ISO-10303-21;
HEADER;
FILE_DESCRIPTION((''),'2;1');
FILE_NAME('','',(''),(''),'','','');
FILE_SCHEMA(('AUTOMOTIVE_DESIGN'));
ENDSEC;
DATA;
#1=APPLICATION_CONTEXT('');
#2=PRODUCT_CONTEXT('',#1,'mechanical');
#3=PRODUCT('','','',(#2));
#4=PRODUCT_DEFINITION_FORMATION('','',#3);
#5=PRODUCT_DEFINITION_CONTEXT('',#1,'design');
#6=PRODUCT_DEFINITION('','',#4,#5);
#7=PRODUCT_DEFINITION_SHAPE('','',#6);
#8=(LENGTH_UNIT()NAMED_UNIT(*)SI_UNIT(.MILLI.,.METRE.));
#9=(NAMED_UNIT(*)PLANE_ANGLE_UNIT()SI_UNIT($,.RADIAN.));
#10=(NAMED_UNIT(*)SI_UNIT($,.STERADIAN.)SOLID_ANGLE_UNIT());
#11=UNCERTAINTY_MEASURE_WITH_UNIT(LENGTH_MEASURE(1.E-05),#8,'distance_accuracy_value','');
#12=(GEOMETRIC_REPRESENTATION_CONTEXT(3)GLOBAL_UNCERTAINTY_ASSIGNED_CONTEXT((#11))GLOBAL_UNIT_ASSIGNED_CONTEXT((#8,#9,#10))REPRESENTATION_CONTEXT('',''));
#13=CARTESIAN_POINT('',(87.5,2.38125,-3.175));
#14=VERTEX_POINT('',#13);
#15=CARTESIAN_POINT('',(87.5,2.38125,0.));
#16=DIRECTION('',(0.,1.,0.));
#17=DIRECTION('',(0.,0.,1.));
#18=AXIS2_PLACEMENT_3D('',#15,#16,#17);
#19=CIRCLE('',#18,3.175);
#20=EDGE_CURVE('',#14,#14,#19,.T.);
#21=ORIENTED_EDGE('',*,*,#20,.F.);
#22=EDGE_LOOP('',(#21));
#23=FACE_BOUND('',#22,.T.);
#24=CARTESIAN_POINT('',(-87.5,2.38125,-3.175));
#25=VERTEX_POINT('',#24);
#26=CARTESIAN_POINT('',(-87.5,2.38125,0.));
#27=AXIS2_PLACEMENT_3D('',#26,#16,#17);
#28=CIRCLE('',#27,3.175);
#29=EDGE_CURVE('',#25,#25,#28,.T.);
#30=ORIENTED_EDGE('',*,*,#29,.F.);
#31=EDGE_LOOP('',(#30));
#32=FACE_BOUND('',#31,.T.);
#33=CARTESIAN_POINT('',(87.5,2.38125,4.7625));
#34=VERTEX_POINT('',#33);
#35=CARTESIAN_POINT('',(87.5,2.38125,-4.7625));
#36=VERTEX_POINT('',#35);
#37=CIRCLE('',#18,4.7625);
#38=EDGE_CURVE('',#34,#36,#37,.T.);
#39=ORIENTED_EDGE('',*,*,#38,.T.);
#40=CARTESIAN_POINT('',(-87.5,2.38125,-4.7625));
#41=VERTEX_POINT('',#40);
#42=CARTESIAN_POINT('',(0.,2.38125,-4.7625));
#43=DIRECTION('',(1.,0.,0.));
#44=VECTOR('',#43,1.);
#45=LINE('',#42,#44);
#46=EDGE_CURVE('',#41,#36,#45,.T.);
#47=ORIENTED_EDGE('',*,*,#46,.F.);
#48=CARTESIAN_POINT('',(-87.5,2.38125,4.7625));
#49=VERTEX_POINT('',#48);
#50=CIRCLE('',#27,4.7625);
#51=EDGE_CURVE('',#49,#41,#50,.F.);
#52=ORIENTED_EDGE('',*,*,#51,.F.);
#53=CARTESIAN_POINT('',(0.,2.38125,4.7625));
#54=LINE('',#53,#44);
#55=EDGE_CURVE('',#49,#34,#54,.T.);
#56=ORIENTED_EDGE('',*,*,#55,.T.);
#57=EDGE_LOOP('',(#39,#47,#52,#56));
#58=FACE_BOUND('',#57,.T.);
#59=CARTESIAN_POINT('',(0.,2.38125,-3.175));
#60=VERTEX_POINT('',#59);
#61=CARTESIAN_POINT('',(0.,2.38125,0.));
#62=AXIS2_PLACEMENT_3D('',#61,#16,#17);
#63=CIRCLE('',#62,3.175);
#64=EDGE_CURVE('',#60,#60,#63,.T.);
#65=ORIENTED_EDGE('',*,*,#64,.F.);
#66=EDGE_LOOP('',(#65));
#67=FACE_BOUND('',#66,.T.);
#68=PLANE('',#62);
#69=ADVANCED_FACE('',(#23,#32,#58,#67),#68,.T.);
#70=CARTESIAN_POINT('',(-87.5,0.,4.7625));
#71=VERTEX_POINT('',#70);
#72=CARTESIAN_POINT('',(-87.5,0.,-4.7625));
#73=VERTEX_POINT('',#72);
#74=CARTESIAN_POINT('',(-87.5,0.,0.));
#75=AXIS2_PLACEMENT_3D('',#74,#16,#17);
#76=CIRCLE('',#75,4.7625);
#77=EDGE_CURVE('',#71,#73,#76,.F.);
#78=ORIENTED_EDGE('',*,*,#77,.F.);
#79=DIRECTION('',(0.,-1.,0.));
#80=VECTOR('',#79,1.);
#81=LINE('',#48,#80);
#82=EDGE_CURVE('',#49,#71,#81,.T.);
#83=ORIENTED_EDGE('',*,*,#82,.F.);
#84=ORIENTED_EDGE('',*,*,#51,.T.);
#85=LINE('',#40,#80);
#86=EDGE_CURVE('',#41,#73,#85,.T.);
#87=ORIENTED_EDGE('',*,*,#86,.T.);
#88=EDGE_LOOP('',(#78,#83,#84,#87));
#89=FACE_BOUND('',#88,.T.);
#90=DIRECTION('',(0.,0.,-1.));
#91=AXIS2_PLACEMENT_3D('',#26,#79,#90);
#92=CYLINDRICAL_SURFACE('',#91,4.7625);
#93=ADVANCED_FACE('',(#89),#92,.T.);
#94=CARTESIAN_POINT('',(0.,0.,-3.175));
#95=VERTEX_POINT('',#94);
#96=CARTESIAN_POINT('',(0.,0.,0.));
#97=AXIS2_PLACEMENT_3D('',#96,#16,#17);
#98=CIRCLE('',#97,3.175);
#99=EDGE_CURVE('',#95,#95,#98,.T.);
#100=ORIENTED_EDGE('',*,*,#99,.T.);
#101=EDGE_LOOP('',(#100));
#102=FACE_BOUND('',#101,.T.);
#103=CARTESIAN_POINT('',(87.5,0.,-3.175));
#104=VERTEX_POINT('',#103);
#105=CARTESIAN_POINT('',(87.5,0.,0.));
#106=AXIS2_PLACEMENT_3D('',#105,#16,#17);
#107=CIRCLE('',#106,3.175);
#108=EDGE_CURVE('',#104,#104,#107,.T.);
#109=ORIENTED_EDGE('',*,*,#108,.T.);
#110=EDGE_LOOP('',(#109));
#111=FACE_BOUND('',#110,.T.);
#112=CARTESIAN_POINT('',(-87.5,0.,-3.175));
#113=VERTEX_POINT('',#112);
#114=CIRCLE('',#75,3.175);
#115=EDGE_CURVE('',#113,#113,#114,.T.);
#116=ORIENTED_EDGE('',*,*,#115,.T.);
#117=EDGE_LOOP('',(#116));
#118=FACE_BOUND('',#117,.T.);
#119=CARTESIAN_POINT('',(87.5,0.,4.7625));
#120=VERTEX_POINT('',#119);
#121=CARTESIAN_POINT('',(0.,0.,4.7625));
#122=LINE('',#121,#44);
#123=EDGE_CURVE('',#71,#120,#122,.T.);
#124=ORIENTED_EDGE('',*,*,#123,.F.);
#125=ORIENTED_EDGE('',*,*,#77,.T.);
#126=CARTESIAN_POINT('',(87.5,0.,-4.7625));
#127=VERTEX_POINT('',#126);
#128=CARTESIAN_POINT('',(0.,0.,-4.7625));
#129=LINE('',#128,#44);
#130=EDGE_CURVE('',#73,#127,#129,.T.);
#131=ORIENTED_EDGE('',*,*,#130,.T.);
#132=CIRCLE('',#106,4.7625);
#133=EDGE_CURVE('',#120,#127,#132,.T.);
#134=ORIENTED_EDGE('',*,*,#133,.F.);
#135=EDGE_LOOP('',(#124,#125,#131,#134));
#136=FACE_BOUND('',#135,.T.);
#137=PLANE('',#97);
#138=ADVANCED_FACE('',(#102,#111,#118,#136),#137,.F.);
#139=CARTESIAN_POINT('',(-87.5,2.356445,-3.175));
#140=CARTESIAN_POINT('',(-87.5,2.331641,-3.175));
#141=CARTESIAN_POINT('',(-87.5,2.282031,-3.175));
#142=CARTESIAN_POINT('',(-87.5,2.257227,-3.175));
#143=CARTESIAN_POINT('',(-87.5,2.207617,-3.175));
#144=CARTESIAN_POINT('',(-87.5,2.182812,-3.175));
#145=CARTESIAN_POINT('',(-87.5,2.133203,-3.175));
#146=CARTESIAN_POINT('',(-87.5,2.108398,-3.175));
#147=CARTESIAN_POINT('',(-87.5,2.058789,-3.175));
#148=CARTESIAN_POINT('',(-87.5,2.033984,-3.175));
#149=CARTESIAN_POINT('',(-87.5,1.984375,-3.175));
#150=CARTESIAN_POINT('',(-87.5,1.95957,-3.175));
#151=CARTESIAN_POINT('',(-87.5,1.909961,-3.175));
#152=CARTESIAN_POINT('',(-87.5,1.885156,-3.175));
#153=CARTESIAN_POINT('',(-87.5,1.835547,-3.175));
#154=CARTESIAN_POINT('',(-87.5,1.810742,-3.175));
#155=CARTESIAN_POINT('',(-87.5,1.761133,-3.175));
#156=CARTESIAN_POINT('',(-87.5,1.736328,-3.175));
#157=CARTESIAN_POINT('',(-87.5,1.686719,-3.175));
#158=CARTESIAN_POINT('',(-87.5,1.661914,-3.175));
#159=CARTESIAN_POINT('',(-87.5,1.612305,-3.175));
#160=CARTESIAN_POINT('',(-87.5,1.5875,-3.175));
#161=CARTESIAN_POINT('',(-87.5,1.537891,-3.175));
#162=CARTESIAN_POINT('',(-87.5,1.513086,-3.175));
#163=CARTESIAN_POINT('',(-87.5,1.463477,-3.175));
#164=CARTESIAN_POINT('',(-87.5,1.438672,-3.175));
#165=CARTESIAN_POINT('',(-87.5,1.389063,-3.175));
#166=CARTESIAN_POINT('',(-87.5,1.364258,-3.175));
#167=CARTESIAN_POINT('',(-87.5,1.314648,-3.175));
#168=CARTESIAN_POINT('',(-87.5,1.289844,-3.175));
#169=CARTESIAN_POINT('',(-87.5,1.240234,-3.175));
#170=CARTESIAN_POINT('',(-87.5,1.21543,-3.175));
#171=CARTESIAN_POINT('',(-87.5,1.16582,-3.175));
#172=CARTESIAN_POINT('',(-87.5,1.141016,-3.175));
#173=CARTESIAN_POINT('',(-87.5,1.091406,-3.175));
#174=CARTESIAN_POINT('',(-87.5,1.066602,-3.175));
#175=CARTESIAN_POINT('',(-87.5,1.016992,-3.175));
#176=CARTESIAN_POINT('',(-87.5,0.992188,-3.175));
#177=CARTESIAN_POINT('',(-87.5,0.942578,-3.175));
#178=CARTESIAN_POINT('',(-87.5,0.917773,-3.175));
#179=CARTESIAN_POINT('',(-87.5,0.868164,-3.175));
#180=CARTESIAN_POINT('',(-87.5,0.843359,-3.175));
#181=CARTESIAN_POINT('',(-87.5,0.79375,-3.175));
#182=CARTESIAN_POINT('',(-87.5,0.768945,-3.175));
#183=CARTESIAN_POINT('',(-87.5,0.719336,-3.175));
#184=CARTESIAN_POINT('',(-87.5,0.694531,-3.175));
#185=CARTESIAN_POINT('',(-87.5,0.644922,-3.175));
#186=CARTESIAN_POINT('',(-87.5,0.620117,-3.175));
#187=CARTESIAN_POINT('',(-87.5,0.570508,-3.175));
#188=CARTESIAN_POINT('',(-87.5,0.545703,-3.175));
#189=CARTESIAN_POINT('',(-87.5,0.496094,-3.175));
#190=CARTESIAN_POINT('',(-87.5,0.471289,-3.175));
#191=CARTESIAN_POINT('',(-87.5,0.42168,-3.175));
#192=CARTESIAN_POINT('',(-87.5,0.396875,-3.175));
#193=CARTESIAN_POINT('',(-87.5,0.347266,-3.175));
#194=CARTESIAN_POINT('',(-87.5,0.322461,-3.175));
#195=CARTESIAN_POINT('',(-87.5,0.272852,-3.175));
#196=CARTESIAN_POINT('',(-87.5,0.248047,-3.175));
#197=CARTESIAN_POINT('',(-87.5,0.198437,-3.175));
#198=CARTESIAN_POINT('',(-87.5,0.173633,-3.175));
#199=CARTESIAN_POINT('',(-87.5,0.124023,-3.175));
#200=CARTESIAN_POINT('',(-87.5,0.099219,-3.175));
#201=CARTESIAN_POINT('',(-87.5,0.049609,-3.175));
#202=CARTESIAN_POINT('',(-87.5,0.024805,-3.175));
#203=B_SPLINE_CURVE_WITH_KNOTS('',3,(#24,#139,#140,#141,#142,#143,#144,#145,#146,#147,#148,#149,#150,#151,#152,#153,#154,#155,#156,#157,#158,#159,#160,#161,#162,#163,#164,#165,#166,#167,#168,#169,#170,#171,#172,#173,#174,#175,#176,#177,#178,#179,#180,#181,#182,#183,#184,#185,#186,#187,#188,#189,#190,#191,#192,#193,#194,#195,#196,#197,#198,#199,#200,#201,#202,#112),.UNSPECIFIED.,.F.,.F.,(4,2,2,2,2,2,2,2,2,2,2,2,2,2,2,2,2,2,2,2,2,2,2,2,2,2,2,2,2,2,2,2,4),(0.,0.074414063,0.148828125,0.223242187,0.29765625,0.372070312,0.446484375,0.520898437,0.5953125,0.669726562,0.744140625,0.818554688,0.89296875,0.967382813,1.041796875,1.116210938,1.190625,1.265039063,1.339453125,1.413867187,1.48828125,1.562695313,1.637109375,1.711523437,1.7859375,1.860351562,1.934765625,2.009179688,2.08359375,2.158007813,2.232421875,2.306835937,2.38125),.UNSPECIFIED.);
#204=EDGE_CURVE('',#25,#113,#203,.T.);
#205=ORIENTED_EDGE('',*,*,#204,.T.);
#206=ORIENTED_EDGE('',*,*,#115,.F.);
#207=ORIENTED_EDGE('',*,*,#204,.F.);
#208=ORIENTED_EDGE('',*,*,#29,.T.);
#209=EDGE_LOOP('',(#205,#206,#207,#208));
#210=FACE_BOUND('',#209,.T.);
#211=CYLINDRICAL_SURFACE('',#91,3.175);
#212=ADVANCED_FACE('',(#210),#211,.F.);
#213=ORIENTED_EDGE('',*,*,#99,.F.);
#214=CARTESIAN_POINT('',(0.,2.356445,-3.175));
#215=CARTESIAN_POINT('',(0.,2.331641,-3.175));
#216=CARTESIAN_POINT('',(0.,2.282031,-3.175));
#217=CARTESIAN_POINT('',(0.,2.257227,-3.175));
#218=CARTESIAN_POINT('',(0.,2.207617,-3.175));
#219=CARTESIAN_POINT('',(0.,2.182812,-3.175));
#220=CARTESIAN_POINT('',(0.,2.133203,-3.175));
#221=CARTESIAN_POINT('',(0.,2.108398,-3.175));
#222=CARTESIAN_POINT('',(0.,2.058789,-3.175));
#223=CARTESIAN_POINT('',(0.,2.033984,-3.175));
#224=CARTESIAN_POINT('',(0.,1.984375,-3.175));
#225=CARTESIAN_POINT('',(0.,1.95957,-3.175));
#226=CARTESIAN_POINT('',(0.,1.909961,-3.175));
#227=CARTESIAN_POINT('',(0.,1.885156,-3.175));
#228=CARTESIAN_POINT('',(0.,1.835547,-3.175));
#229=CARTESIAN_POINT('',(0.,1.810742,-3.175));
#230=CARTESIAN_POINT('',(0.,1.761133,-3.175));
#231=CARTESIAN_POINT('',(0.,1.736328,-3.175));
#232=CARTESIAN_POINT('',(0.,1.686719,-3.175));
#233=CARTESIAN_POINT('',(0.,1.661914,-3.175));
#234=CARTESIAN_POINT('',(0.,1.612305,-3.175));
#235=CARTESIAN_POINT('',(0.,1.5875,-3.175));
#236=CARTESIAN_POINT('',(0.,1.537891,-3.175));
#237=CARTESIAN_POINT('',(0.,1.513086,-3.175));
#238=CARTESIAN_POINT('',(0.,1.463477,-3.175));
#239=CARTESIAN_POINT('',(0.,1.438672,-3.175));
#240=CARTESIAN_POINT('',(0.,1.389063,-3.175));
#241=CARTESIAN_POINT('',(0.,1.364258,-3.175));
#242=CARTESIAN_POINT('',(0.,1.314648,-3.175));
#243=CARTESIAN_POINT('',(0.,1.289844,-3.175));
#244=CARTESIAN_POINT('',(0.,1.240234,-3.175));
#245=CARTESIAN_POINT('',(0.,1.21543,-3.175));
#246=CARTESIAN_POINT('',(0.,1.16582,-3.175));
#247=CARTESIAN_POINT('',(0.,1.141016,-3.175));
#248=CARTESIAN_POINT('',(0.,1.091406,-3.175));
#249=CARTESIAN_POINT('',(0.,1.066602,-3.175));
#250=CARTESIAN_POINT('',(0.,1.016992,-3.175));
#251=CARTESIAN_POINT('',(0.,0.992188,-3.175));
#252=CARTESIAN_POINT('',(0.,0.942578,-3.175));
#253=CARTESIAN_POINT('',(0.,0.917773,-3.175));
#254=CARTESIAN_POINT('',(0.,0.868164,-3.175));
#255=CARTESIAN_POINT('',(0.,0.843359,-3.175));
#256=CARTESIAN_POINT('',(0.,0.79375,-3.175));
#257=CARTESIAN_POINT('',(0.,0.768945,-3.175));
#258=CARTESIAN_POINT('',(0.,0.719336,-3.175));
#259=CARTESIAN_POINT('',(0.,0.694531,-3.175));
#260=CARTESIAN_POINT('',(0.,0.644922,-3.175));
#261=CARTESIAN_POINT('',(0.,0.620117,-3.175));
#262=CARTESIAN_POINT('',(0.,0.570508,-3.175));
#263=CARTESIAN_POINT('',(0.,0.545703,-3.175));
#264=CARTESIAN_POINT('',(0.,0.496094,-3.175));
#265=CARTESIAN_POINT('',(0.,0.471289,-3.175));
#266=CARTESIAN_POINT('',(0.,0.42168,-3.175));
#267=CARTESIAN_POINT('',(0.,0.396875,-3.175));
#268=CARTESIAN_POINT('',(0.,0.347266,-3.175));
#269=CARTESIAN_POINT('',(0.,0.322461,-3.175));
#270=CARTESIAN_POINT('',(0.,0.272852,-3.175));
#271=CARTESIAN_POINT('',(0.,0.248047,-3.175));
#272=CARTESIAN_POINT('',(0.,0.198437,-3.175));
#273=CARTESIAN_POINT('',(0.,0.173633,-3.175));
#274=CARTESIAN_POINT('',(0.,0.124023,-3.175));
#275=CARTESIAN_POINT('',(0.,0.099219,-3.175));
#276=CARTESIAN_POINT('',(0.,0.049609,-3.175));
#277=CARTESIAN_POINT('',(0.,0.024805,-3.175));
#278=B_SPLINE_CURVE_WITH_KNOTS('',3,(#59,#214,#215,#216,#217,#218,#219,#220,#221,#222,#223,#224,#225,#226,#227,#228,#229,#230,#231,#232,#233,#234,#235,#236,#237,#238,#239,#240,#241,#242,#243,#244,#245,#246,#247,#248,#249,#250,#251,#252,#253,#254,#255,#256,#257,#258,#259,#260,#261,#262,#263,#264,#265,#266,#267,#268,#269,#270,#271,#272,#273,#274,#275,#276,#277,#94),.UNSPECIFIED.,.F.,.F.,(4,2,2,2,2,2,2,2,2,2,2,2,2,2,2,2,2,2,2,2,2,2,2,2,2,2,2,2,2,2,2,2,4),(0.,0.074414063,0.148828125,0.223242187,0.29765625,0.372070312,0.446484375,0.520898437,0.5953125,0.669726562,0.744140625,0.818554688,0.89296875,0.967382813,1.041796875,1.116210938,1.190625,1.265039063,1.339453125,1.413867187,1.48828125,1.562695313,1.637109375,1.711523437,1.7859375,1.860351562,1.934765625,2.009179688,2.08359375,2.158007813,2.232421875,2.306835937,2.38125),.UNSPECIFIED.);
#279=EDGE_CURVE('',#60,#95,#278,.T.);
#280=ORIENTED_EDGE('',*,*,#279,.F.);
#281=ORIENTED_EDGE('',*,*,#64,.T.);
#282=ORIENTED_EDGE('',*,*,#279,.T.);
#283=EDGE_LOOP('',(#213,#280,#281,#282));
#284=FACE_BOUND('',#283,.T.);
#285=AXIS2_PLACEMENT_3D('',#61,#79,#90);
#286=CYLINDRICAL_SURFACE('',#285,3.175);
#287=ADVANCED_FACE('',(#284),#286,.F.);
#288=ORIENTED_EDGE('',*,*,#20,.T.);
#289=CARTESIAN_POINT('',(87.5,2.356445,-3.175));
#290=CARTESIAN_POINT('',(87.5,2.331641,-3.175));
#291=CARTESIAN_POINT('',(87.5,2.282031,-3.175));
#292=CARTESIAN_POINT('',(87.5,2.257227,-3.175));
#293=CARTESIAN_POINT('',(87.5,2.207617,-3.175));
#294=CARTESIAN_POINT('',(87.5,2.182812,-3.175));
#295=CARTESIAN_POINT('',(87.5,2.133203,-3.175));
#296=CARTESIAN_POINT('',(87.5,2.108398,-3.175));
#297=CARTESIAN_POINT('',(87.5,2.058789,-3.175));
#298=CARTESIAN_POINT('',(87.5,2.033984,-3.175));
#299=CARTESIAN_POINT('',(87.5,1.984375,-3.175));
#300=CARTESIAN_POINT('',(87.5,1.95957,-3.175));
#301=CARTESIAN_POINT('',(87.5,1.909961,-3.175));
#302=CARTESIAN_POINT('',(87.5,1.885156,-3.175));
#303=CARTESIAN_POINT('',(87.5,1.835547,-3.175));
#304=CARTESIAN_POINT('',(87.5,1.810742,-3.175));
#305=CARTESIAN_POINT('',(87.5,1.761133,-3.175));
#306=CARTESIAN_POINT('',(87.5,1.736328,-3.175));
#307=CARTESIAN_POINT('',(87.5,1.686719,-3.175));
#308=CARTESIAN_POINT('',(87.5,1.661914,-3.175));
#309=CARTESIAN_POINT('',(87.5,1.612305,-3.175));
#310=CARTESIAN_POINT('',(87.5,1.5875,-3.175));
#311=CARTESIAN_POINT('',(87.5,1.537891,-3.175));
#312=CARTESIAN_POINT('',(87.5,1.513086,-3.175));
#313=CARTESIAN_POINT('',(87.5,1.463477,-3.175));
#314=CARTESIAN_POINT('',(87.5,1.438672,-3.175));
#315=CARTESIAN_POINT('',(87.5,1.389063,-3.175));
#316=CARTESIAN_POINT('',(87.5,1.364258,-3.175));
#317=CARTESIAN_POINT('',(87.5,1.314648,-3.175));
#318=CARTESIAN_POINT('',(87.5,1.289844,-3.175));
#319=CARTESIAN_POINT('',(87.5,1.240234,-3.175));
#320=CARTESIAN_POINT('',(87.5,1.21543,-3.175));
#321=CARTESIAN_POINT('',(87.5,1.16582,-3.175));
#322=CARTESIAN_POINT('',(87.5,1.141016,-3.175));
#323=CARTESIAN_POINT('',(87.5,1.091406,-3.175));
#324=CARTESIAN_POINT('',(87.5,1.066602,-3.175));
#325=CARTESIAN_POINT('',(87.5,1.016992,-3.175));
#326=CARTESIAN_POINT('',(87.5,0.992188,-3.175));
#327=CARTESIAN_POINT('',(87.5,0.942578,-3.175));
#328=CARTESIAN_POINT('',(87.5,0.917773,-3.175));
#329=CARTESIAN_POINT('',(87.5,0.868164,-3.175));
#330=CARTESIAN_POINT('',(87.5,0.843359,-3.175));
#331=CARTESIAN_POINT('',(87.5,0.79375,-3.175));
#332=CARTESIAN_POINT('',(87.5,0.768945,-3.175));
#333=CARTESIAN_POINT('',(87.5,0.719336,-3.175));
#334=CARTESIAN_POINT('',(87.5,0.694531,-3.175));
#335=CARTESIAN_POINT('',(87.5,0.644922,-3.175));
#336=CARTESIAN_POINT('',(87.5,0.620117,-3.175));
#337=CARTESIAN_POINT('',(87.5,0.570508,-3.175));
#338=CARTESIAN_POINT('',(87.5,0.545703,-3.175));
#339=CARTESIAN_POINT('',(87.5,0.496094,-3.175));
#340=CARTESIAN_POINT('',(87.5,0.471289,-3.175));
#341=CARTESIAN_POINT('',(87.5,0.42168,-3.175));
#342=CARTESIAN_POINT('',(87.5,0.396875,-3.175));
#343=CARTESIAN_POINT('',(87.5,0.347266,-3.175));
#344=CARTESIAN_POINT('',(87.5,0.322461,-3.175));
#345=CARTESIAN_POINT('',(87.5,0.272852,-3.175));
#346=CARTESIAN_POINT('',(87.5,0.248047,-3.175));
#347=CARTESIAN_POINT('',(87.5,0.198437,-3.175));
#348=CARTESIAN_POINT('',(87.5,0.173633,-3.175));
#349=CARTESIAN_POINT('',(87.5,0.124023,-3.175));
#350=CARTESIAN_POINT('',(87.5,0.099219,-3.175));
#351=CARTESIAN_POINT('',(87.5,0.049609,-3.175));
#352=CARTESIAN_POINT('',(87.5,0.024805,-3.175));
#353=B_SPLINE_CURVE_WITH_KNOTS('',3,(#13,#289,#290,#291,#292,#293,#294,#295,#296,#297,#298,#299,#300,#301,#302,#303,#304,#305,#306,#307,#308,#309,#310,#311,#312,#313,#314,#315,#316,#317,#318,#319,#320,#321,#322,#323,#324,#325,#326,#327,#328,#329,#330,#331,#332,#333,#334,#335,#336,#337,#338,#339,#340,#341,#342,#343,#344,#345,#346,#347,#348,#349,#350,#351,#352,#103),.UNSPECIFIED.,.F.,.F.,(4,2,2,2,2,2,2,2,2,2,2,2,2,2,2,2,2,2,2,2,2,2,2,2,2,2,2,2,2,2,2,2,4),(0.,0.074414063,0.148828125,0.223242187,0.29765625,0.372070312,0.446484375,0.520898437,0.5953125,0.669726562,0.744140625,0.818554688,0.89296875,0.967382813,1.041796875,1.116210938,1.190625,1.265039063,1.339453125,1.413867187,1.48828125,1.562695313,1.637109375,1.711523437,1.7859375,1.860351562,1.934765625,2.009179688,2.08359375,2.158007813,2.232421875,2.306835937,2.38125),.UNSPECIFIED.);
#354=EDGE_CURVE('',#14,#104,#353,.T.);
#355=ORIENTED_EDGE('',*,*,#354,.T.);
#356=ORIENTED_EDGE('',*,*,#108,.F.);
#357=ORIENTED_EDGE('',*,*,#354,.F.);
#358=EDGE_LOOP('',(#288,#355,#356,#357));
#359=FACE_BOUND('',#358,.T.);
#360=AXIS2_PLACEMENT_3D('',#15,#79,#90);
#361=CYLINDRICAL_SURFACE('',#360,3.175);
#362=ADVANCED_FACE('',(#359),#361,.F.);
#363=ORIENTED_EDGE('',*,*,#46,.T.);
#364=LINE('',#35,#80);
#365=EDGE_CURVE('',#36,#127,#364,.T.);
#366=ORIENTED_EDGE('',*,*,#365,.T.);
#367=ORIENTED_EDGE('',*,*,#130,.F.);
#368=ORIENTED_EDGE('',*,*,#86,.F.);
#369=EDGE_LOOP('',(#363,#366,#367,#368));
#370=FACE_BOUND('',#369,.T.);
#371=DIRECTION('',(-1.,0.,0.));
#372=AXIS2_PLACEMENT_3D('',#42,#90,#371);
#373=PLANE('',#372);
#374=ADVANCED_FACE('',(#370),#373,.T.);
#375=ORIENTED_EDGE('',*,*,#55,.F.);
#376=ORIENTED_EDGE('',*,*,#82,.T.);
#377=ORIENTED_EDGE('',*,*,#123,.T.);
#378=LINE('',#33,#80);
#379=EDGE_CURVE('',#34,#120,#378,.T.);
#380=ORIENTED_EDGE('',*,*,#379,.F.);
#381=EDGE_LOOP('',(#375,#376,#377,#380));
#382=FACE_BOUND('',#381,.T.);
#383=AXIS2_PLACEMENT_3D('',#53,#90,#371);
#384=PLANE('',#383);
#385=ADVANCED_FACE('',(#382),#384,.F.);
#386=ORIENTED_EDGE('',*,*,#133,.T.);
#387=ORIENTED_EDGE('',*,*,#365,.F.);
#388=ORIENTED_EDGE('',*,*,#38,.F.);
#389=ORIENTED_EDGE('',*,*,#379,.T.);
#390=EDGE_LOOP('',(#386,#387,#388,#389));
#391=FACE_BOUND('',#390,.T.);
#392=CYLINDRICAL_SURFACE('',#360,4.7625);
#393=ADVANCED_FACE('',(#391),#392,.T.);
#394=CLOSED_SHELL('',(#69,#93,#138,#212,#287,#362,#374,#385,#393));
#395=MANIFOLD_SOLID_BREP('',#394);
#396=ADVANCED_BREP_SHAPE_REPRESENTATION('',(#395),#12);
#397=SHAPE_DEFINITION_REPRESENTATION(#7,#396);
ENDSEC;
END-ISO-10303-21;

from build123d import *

# Parameters (mm, degrees)
SKETCH1_R           = 3.175
BOSS_EXTRUDE1_DEPTH = 2.38125


with BuildPart() as part:
    # Sketch1 → Boss-Extrude1 (new body)
    with BuildSketch(Plane(origin=(0, 0, 0), x_dir=(1, 0, 0), z_dir=(0, 1, 0))):
        with BuildLine():
            Line((-87.5, -4.7625), (87.5, -4.7625))
            ThreePointArc((87.5, -4.7625), (92.2625, 0), (87.5, 4.7625))
            Line((87.5, 4.7625), (-87.5, 4.7625))
            ThreePointArc((-87.5, 4.7625), (-92.2625, 0), (-87.5, -4.7625))
        make_face()
        with Locations(Location((-87.5, 0, 0), (0, 0, 90))):
            Circle(SKETCH1_R, mode=Mode.SUBTRACT)
        with Locations(Location((87.5, 0, 0), (0, 0, 90))):
            Circle(SKETCH1_R, mode=Mode.SUBTRACT)
        with Locations(Location((0, 0, 0), (0, 0, 90))):
            Circle(SKETCH1_R, mode=Mode.SUBTRACT)
    extrude(amount=BOSS_EXTRUDE1_DEPTH)


solid = part.part
